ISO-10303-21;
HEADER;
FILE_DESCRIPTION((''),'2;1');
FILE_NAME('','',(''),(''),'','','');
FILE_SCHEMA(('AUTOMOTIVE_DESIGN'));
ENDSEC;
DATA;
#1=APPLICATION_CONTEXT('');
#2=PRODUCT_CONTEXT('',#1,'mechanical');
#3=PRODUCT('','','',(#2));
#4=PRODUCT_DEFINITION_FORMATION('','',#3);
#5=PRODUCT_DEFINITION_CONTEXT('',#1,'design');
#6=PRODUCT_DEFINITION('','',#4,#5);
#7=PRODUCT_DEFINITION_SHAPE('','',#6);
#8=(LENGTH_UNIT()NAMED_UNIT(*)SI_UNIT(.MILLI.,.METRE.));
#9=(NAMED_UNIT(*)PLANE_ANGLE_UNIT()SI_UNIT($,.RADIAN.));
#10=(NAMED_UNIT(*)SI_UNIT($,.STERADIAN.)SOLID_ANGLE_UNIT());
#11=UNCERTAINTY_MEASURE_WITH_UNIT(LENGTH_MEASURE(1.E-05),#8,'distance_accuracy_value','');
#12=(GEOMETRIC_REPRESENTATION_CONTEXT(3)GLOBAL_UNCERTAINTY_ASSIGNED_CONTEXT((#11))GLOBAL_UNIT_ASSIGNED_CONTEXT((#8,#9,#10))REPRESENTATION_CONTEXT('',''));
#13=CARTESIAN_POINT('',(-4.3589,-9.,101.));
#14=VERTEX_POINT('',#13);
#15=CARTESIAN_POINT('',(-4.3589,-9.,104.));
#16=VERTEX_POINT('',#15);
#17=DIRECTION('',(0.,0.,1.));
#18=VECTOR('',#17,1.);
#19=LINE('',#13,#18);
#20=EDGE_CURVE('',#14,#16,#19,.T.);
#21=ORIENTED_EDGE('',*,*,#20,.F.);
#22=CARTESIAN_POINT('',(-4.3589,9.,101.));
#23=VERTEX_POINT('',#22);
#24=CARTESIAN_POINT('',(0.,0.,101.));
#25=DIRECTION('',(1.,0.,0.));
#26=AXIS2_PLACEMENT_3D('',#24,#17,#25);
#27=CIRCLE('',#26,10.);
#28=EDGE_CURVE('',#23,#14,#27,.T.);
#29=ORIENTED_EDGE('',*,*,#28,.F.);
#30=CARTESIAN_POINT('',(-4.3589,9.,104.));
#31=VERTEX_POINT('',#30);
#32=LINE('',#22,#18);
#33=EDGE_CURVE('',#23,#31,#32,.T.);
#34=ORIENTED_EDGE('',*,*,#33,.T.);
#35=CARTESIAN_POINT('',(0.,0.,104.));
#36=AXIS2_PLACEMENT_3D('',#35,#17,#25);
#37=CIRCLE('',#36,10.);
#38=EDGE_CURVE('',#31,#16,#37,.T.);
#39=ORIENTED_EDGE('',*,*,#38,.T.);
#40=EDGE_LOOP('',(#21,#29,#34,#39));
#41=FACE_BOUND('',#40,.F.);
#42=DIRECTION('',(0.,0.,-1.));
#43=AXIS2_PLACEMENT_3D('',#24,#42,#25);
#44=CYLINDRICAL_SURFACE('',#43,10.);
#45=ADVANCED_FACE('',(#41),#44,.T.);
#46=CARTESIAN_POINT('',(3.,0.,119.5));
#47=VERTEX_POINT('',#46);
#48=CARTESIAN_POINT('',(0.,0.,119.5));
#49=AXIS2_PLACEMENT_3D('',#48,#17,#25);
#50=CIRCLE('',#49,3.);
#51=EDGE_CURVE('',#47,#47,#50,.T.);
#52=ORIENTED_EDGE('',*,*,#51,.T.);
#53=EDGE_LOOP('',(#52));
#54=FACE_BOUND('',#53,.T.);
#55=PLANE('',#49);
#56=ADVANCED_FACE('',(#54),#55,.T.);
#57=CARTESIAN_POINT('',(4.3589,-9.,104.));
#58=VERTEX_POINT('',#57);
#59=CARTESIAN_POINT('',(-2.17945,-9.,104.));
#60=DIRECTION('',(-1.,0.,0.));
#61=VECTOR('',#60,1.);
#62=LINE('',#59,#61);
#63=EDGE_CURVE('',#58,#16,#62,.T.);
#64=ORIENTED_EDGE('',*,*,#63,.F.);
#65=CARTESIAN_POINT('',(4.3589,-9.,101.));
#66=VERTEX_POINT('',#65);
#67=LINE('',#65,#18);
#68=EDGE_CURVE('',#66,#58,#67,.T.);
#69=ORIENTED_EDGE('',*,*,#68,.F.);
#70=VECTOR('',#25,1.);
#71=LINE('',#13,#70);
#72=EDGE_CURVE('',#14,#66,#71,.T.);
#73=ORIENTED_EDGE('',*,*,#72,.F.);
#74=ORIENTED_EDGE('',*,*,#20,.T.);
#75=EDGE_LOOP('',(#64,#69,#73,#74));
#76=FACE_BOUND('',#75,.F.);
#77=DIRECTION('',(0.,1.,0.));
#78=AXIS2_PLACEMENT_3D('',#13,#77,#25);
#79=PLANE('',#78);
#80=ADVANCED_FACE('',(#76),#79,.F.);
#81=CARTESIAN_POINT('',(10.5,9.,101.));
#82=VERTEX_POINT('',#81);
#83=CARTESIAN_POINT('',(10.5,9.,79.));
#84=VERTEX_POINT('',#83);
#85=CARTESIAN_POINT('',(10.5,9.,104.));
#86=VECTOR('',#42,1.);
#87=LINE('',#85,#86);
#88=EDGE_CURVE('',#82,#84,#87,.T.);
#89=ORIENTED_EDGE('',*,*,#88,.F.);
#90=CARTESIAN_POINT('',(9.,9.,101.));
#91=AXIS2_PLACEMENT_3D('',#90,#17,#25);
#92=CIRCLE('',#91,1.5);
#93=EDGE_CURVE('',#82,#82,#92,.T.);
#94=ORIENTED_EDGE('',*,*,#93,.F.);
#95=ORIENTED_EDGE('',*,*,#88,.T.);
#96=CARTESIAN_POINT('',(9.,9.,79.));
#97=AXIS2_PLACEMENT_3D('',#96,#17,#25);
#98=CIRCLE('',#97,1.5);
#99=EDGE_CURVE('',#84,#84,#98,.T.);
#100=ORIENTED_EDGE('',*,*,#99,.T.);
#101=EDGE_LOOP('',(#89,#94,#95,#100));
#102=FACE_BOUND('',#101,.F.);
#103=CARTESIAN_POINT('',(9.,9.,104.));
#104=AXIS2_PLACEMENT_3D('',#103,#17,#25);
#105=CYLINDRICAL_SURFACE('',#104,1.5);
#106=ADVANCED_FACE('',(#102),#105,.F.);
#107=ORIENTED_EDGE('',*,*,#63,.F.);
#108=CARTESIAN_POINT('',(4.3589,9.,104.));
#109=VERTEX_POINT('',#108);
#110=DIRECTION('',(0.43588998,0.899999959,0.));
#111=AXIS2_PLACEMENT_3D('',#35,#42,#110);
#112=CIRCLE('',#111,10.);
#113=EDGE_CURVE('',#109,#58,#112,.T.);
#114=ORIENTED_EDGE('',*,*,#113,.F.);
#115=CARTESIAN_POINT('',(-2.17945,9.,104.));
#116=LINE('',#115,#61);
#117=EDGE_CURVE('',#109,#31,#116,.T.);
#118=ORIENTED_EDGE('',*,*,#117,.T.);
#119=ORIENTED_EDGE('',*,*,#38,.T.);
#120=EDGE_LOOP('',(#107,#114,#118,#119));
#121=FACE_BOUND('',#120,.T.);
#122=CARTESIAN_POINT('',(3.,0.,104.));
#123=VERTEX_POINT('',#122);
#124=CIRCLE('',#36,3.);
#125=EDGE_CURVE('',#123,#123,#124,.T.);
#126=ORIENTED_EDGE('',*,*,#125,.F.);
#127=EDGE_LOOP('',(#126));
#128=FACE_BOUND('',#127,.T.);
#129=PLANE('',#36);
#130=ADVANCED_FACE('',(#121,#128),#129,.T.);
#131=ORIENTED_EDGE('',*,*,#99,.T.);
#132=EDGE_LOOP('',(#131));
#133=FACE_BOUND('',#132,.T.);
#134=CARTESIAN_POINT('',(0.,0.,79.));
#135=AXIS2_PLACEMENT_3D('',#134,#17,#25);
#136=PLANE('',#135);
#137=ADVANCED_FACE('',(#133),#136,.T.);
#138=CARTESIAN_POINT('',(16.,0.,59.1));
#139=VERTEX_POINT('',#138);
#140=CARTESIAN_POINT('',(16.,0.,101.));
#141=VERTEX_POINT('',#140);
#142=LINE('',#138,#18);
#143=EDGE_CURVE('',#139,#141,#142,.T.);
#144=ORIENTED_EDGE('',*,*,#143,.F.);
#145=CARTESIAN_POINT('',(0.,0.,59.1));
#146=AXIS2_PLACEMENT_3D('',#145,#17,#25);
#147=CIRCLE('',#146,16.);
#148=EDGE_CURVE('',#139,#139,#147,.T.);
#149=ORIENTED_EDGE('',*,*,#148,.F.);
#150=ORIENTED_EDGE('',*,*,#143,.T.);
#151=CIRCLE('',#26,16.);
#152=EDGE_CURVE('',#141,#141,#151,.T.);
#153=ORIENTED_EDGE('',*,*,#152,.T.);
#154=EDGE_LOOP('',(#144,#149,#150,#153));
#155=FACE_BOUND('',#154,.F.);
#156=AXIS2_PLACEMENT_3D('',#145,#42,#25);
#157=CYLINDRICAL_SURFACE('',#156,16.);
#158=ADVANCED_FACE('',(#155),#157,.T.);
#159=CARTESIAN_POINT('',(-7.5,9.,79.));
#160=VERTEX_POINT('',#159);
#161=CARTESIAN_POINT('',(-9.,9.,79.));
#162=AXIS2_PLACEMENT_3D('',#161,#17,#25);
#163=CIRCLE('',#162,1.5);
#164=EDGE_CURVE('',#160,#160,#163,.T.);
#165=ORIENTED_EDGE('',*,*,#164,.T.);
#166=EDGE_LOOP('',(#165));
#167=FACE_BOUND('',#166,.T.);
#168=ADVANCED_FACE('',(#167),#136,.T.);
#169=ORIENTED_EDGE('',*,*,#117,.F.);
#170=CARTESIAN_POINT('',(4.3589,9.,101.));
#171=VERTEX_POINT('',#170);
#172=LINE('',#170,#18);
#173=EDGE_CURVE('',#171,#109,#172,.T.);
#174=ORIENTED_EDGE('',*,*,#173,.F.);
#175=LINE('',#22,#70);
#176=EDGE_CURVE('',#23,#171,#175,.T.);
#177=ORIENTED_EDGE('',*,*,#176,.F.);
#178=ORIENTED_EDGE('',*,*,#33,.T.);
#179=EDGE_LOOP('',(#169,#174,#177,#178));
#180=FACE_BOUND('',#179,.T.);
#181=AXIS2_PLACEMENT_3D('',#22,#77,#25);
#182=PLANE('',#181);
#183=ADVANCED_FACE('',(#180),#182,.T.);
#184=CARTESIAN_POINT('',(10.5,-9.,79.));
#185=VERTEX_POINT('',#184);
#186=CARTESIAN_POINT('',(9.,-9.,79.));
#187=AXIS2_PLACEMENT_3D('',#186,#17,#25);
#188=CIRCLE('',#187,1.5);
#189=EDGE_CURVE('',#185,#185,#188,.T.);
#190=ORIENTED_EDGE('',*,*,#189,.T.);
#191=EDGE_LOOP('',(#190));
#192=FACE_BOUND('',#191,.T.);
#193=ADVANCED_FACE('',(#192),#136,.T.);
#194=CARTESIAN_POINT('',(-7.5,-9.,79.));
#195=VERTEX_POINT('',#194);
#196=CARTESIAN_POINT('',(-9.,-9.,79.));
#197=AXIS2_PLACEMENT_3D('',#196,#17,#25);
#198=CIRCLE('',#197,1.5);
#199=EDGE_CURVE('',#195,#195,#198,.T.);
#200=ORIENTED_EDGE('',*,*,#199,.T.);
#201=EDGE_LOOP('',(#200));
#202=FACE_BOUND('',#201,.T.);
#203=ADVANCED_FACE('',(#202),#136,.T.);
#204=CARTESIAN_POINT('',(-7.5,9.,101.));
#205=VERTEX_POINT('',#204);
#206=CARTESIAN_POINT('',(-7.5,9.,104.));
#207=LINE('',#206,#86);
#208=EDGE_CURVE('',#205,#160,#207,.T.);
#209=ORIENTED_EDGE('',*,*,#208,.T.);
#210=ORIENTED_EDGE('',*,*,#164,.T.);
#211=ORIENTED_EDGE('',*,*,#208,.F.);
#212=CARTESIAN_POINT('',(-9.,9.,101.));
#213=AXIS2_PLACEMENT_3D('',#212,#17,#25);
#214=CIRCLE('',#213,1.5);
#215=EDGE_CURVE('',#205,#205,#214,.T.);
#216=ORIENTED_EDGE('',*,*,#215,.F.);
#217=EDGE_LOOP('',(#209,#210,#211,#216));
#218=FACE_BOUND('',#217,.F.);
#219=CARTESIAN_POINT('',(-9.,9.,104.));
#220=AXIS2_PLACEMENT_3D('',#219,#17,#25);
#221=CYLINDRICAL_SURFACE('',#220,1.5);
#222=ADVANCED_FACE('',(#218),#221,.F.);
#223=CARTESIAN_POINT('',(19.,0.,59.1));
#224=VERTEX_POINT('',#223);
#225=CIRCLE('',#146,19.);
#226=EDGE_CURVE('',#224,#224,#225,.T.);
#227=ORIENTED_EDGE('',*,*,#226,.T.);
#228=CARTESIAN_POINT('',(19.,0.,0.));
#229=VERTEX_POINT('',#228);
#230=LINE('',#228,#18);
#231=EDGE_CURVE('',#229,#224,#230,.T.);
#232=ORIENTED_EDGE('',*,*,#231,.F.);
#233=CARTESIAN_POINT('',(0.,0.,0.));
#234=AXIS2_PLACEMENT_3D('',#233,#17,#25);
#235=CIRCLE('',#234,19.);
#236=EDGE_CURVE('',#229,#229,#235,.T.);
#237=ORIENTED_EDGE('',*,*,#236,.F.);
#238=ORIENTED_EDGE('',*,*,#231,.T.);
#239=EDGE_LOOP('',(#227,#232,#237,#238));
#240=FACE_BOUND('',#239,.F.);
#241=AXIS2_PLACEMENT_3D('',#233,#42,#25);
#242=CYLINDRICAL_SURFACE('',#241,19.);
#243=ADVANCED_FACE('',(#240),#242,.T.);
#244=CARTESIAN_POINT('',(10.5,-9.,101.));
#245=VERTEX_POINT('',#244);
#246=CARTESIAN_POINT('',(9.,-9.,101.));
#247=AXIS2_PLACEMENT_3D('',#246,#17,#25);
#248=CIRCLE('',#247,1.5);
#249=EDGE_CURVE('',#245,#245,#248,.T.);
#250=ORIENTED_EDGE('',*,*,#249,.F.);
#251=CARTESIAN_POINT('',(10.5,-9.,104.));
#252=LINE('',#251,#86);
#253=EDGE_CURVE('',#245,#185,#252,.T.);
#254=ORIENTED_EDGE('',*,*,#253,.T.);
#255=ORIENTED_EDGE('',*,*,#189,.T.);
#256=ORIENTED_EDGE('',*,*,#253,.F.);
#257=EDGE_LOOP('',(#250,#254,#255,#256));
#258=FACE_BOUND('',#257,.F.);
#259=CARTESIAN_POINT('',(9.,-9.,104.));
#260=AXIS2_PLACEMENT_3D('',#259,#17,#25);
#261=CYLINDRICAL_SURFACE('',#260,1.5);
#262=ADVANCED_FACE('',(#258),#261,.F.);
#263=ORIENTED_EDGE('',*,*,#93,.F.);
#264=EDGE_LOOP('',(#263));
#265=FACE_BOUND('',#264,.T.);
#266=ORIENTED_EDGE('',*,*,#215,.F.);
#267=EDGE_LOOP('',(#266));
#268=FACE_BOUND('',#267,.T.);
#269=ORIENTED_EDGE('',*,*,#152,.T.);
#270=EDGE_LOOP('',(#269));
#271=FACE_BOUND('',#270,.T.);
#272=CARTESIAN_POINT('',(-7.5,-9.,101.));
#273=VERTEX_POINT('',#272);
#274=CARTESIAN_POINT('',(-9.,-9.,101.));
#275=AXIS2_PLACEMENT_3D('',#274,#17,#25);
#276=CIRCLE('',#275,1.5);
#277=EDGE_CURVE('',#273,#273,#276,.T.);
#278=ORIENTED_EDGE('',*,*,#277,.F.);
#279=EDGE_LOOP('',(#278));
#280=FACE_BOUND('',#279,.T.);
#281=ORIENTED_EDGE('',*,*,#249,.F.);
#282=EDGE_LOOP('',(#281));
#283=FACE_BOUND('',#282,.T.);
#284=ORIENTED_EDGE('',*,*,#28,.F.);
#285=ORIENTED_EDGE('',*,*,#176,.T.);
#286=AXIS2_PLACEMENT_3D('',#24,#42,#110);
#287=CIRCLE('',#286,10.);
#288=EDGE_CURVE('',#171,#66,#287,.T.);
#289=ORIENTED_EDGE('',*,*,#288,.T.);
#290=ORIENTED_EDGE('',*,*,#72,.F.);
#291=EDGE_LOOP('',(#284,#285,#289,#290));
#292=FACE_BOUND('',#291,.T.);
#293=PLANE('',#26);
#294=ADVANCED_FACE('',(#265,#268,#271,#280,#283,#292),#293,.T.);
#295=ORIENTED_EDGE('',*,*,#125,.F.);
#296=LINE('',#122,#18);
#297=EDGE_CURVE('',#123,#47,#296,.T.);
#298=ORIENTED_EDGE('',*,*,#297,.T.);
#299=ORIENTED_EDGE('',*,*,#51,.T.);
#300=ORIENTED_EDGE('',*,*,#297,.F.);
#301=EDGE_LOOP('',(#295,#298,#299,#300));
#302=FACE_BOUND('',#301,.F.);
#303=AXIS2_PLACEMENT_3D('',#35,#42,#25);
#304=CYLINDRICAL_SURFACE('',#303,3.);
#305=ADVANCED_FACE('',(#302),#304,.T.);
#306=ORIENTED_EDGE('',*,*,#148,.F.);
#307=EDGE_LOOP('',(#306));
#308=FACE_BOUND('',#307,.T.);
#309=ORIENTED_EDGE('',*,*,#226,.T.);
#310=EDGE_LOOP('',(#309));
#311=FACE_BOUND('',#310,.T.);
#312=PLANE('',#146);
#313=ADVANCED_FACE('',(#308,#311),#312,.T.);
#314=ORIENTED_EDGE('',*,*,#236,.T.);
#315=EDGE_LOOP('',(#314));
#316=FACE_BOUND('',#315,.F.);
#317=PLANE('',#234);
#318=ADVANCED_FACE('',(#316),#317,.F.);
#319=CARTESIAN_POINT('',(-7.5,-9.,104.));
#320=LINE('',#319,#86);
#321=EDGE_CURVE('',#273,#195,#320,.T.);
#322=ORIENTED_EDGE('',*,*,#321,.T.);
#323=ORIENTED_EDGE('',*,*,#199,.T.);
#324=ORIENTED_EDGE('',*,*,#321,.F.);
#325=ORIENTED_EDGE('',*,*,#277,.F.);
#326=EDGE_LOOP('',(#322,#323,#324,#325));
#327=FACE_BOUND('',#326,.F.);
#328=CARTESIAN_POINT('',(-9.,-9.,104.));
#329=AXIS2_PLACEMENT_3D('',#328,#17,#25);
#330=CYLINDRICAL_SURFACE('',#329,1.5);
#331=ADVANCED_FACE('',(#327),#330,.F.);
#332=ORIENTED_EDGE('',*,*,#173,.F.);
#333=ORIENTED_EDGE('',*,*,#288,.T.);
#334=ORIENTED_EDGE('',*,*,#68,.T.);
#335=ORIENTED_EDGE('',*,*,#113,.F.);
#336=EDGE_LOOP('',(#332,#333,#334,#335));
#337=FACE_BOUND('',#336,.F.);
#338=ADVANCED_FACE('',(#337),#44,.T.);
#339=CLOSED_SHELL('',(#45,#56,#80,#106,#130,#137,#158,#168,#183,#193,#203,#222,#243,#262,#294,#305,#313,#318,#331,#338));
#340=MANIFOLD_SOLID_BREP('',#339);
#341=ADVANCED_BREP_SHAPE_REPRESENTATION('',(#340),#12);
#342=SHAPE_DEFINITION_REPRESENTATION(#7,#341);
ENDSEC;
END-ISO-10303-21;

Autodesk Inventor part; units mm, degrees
ref_plane "YZ Plane" through (0, 0, 0) normal (1, 0, 0) x (0, 1, 0)
ref_plane "XZ Plane" through (0, 0, 0) normal (0, 1, 0) x (-1, 0, 0)
ref_plane "XY Plane" through (0, 0, 0) normal (0, 0, 1) x (1, 0, 0)
sketch "Sketch1" plane through (0, 0, 0) normal (0, 0, 1) x (1, 0, 0)
  circle A0 centre (0, 0) radius 19
  dimension "d0" = 38
extrude "Extrusion1" add sketch "Sketch1" along normal blind 59.1
sketch "Sketch2" plane through (0, 0, 59.1) normal (0, 0, 1) x (1, 0, 0)
  circle A0 centre (0, 0) radius 16
  dimension "d3" = 32
extrude "Extrusion2" add sketch "Sketch2" along normal blind 41.9
sketch "Sketch3" plane through (0, 0, 101) normal (0, 0, 1) x (1, 0, 0)
  circle A0 centre (0, 0) radius 10
  dimension "d6" = 20
extrude "Extrusion3" add sketch "Sketch3" along normal blind 3
sketch "Sketch4" plane through (0, 0, 104) normal (0, 0, 1) x (1, 0, 0)
  circle A0 centre (0, 0) radius 3
  dimension "d9" = 6
extrude "Extrusion4" add sketch "Sketch4" along normal blind 15.5
sketch "Sketch5" plane through (0, 0, 104) normal (0, 0, 1) x (1, 0, 0)
  line L0 (-9, -9) -> (9, -9) construction
  line L1 (9, -9) -> (9, 9) construction
  line L2 (9, 9) -> (-9, 9) construction
  line L3 (-9, 9) -> (-9, -9) construction
  line L4 (-9, -9) -> (9, 9) construction
  line L5 (9, -9) -> (-9, 9) construction
  circle A0 centre (9, 9) radius 1.5
  circle A1 centre (9, -9) radius 1.5
  circle A2 centre (-9, -9) radius 1.5
  circle A3 centre (-9, 9) radius 1.5
  point P0 (0, 0)
  dimension "d12" = 18
  dimension "d13" = 18
  dimension "d14" = 3
  dimension "d15" = 3
  dimension "d16" = 3
  dimension "d17" = 3
extrude "Extrusion5" cut sketch "Sketch5" against normal blind 25
sketch "Sketch6" plane through (0, 0, 101) normal (0, 0, 1) x (1, 0, 0)
  circle A0 centre (0, 0) radius 3 projected
  circle A1 centre (0, 0) radius 10 projected
  line L0 (-4.3589, -9) -> (4.3589, -9)
  line L1 (-4.3589, 9) -> (4.3589, 9)
  dimension "d20" = 18
extrude "Extrusion6" cut sketch "Sketch6" along normal through all contours L1 A1 | A1 L0
properties part number "12RPM Gear Motor"
